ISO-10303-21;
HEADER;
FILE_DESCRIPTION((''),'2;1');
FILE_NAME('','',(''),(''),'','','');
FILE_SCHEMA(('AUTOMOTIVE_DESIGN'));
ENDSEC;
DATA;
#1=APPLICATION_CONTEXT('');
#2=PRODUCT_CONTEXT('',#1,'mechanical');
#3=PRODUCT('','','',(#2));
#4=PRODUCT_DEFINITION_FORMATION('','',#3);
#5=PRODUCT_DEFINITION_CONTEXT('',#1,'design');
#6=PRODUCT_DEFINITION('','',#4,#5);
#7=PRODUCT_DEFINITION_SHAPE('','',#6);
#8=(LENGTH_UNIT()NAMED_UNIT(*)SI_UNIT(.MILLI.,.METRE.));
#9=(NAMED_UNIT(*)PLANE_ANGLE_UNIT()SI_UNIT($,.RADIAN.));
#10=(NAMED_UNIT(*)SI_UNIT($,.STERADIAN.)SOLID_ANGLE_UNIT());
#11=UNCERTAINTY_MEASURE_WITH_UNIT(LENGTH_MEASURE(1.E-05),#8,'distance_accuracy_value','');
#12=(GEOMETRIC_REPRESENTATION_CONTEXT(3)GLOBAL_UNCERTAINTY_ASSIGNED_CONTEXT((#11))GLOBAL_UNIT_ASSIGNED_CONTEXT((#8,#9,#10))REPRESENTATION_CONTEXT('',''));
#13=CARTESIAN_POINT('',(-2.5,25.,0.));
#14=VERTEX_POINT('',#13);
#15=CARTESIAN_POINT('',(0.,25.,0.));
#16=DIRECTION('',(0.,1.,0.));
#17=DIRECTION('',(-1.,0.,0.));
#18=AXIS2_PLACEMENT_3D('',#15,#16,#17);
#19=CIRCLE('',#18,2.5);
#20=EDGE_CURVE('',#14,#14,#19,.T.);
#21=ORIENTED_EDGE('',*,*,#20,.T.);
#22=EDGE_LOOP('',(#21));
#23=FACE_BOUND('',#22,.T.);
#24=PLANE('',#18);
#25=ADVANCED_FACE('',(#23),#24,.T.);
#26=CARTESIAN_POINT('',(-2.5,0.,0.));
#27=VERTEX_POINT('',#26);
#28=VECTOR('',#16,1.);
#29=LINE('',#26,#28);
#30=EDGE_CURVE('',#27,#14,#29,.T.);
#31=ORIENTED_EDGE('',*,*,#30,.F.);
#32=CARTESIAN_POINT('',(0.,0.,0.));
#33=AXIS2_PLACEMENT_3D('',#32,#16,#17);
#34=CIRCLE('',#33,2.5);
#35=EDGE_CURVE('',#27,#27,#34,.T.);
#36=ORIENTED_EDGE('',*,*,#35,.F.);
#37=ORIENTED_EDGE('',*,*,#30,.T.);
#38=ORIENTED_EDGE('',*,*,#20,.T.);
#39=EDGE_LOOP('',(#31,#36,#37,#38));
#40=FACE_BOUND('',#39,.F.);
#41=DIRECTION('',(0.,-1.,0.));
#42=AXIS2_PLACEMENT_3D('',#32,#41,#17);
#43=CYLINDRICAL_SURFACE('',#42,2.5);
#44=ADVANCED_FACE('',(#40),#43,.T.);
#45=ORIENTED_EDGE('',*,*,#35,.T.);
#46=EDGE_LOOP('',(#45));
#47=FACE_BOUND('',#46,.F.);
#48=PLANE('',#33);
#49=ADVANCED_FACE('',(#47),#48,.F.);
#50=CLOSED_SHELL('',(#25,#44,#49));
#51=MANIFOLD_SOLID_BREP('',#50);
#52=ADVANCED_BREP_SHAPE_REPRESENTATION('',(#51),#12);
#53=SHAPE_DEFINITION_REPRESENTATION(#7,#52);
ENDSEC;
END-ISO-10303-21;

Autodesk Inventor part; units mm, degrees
ref_plane "YZ Plane" through (0, 0, 0) normal (1, 0, 0) x (0, 1, 0)
ref_plane "XZ Plane" through (0, 0, 0) normal (0, 1, 0) x (-1, 0, 0)
ref_plane "XY Plane" through (0, 0, 0) normal (0, 0, 1) x (1, 0, 0)
sketch "Sketch1" plane through (0, 0, 0) normal (0, 1, 0) x (-1, 0, 0)
  circle A0 centre (0, 0) radius 2.5
  dimension "d0" = 5
extrude "Extrusion1" add sketch "Sketch1" along normal blind 25
properties part number "Spina cilindrica"
